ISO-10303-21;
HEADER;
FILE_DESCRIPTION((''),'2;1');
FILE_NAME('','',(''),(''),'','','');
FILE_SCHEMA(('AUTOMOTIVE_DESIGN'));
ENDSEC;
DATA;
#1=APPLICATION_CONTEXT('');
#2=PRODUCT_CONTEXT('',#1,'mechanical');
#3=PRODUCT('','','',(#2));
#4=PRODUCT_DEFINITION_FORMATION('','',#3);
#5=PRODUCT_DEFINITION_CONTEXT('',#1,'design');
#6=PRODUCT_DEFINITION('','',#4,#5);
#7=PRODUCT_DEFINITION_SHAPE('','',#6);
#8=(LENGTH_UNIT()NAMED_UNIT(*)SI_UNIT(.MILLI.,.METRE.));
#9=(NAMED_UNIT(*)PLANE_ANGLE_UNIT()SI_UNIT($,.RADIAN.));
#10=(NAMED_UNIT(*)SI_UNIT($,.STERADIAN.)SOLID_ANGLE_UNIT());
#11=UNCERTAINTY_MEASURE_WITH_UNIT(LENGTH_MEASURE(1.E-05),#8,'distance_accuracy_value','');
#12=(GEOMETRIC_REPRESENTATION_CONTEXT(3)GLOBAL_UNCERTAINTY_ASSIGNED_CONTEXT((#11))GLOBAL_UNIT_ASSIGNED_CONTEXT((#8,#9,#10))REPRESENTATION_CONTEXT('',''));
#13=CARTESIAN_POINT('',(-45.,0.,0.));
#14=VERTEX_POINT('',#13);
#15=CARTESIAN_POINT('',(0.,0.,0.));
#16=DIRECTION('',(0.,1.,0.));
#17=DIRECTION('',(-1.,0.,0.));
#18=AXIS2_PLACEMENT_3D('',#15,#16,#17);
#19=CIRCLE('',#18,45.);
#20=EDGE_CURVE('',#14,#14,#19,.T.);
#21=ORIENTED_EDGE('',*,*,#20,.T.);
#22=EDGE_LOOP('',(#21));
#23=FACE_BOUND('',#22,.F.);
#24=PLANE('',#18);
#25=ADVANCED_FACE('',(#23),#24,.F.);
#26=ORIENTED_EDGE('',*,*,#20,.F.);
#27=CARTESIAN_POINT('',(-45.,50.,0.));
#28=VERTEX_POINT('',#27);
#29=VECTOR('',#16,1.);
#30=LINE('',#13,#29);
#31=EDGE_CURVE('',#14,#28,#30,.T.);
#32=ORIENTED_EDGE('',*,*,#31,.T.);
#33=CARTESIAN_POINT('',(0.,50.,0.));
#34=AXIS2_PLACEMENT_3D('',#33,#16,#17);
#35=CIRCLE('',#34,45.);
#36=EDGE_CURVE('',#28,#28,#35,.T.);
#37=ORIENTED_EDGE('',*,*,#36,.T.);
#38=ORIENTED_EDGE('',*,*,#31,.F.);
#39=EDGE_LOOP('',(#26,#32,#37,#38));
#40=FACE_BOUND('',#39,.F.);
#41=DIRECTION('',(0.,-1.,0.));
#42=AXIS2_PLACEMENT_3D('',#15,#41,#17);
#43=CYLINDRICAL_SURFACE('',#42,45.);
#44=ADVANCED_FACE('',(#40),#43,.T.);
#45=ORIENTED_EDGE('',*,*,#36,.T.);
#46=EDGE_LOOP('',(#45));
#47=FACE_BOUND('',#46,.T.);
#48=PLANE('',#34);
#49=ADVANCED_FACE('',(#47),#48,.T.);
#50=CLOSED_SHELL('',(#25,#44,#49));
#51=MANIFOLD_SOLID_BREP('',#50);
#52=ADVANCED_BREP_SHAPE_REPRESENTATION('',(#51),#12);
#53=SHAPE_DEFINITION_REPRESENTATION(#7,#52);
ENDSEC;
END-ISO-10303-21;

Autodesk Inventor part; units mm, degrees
ref_plane "YZ Plane" through (0, 0, 0) normal (1, 0, 0) x (0, 1, 0)
ref_plane "XZ Plane" through (0, 0, 0) normal (0, 1, 0) x (-1, 0, 0)
ref_plane "XY Plane" through (0, 0, 0) normal (0, 0, 1) x (1, 0, 0)
sketch "Sketch1" plane through (0, 0, 0) normal (0, 1, 0) x (-1, 0, 0)
  circle A0 centre (0, 0) radius 45
  dimension "d0" = 90
extrude "Extrusion1" add sketch "Sketch1" along normal blind 50
properties part number "secure_to_hoop_bought"
